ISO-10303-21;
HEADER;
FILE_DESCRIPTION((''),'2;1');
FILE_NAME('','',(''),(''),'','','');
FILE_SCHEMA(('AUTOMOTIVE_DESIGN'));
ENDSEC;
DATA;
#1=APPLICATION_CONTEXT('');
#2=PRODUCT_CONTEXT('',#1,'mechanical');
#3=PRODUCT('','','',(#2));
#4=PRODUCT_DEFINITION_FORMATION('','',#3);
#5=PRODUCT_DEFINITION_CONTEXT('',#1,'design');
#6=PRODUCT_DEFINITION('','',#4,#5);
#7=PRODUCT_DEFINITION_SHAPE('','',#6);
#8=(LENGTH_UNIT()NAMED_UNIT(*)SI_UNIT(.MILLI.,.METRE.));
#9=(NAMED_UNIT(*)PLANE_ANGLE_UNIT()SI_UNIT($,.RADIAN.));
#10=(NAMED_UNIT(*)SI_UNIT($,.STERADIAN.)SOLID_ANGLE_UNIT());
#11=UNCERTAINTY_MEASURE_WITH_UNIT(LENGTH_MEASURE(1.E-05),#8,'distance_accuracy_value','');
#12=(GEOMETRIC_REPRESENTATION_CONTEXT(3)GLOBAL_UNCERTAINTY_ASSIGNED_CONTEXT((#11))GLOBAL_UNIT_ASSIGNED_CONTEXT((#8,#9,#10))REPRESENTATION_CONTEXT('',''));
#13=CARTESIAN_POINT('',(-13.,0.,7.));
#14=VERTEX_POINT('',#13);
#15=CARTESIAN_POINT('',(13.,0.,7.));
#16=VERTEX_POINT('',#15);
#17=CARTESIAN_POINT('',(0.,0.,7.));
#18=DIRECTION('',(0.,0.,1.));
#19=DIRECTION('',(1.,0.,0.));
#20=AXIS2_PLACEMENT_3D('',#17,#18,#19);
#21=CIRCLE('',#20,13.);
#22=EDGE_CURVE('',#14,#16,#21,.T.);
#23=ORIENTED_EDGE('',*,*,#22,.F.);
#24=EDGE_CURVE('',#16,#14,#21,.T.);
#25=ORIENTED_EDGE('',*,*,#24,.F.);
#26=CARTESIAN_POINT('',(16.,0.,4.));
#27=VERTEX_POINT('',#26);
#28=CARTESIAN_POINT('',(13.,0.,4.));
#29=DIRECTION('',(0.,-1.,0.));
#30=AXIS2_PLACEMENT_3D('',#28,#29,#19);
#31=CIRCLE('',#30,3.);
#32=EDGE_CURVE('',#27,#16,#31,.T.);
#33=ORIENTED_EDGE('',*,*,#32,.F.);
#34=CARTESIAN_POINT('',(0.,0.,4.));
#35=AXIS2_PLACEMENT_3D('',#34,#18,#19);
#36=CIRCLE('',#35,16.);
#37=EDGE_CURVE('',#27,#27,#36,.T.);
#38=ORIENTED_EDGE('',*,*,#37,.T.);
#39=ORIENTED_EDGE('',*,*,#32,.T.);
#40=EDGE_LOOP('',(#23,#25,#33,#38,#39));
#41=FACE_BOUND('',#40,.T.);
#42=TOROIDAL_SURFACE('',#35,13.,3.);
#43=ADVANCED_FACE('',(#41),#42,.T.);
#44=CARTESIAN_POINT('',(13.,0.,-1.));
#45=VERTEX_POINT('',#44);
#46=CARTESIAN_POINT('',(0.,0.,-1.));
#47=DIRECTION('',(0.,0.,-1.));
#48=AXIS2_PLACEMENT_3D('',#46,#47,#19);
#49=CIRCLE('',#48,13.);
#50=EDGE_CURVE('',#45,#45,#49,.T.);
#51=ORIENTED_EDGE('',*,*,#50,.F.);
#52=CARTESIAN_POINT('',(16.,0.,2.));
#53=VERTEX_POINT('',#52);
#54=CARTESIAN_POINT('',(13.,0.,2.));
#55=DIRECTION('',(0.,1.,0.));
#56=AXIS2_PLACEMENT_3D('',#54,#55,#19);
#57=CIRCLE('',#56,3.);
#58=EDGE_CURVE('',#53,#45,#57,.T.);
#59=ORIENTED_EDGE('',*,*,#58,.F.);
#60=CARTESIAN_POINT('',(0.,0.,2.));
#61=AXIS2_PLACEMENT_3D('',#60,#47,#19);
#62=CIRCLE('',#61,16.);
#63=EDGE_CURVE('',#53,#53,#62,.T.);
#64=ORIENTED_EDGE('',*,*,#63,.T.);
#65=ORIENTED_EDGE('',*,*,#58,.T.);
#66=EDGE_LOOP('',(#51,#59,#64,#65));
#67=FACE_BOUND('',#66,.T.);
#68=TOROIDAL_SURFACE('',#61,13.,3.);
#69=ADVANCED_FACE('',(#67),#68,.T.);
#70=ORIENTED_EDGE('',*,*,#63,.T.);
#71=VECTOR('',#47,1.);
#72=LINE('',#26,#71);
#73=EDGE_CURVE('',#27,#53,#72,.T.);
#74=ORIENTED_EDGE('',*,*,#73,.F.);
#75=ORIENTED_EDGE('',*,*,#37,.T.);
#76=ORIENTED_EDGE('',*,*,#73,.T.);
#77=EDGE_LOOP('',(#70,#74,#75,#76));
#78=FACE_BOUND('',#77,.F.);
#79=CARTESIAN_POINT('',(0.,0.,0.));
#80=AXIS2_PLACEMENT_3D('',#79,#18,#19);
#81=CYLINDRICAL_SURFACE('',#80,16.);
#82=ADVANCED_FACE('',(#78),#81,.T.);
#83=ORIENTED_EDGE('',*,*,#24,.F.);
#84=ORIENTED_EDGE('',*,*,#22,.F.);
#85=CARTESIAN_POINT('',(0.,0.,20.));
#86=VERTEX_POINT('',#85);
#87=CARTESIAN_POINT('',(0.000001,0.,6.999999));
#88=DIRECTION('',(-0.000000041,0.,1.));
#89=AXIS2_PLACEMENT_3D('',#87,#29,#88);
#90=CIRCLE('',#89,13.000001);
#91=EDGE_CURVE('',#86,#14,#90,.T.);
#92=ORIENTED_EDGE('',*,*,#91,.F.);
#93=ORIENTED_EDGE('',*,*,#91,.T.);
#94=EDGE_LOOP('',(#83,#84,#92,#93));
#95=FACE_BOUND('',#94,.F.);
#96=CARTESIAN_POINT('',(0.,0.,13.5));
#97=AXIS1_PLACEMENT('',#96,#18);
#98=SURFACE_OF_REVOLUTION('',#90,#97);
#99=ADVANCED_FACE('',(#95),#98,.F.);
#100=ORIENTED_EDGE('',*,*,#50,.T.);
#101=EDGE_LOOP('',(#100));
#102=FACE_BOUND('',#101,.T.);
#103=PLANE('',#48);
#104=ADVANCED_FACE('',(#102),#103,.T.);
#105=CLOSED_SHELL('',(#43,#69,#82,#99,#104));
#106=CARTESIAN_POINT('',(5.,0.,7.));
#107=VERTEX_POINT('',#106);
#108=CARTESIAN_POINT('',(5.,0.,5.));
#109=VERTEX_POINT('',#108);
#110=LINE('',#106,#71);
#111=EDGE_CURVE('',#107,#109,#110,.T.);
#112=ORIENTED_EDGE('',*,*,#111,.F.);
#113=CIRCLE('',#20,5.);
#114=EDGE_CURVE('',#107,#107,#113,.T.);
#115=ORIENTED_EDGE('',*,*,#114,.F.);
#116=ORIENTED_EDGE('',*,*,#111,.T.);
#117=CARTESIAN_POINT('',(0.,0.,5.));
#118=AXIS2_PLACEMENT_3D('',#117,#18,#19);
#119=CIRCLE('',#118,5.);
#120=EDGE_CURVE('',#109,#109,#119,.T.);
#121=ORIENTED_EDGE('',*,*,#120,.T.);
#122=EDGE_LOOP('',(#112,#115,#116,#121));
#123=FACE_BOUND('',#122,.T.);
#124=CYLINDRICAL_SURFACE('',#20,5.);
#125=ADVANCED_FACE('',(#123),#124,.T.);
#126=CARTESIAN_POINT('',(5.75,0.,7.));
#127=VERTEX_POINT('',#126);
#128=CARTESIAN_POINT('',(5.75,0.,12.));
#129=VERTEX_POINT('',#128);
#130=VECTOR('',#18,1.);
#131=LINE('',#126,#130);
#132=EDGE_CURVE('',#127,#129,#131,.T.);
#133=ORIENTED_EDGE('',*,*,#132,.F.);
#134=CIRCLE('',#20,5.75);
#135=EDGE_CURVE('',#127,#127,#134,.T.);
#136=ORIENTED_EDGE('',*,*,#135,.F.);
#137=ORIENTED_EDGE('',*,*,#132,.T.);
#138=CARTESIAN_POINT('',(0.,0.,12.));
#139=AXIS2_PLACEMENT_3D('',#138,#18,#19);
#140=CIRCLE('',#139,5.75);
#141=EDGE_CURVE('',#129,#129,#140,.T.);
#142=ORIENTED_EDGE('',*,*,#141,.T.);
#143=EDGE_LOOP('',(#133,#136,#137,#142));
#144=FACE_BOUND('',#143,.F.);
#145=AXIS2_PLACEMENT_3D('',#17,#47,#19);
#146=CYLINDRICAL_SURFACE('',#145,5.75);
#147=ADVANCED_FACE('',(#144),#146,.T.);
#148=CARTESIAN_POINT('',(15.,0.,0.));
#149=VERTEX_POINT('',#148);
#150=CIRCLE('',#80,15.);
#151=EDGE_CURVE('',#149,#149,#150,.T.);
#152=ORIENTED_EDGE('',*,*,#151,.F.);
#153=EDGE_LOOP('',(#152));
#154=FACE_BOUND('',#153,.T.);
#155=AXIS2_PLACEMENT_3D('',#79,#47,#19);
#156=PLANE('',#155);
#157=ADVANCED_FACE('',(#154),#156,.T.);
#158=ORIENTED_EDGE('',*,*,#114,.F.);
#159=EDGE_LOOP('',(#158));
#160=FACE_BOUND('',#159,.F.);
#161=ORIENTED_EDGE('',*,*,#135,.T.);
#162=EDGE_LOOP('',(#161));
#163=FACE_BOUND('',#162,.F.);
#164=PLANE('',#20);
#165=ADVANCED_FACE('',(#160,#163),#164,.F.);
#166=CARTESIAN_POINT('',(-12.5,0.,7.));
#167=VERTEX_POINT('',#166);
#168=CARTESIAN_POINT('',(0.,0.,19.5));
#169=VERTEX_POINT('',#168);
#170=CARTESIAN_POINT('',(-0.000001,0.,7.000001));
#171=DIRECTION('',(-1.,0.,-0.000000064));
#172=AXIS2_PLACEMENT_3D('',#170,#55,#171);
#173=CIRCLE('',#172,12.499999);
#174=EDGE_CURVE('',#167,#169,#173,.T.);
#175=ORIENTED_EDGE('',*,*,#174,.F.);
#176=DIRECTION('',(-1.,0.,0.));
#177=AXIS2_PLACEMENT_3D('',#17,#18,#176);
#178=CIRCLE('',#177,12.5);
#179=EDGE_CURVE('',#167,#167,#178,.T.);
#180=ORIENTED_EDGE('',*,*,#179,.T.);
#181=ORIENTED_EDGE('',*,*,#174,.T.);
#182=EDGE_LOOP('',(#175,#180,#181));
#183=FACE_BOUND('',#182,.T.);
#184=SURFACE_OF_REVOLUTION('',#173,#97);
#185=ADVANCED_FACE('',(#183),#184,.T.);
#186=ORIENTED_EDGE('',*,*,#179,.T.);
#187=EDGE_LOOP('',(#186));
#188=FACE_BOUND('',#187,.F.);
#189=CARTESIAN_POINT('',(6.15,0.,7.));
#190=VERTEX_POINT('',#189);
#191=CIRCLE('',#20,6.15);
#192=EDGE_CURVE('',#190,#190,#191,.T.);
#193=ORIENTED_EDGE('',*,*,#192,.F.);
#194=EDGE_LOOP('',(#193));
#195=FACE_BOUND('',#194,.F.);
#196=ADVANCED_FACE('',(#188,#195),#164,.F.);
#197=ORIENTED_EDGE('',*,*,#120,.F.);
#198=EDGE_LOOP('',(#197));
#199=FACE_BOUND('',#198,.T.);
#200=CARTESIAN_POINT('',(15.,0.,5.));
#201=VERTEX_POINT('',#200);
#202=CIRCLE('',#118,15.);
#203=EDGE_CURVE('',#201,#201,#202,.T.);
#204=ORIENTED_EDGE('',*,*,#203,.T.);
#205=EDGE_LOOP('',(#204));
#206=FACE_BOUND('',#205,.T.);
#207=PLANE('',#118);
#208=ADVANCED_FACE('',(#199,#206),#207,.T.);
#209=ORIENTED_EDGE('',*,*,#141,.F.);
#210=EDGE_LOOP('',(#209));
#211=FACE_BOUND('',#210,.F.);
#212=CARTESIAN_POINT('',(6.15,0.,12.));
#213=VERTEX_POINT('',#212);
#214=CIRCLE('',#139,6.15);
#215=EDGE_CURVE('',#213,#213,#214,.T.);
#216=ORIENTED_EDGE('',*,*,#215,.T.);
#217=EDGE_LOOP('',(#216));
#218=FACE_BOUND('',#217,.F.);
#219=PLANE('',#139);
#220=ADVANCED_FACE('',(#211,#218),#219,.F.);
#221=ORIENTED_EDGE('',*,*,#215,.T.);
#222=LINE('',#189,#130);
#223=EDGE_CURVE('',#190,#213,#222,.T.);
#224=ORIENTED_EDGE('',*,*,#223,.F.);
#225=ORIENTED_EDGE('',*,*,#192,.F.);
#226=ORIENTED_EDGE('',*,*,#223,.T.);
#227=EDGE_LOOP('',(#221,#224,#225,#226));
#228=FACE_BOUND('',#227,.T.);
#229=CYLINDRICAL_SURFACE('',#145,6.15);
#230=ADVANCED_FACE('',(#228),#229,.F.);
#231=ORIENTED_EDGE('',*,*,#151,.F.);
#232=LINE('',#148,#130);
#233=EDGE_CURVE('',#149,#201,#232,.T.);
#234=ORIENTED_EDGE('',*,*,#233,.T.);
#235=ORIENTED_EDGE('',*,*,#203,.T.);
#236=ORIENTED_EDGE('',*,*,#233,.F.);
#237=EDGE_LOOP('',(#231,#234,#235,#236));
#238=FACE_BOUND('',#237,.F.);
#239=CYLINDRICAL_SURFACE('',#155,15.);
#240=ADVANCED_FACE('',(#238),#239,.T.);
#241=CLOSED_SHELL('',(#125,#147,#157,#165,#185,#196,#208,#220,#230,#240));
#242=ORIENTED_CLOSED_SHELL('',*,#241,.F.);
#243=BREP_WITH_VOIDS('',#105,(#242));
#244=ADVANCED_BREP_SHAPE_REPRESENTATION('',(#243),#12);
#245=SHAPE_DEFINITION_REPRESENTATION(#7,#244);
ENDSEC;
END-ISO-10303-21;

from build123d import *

# Parameters (mm, degrees)
F0_R      = 16
F0_R_2    = 15
F1_DEPTH  = 5
F2_R      = 16
F3_DEPTH  = 2
F4_R      = 3
F5_R      = 16
F6_DEPTH  = 1
F7_R      = 3
F8_R      = 5
F9_DEPTH  = 7
F10_R     = 6.15
F10_R_2   = 5.75
F11_DEPTH = 5


with BuildPart() as f1:
    # F0 (on Top) → F1 (new body)
    with BuildSketch(Plane.XY):
        Circle(F0_R)
        Circle(F0_R_2, mode=Mode.SUBTRACT)
    extrude(amount=F1_DEPTH)

    # F2 (on face) → F3 (join)
    with BuildSketch(Plane.XY.offset(5)):
        Circle(F2_R)
    extrude(amount=F3_DEPTH)

    # F4
    f4_edges = [f1.edges().sort_by_distance(p)[0] for p in [
        (-16, 0, 7),
    ]]
    fillet(f4_edges, radius=F4_R)

    # F5 (on face) → F6 (join)
    with BuildSketch(Plane(origin=(0, 0, 0), x_dir=(1, 0, 0), z_dir=(0, 0, -1))):
        Circle(F5_R)
    extrude(amount=F6_DEPTH)

    # F7
    f7_edges = [f1.edges().sort_by_distance(p)[0] for p in [
        (-16, 0, -1),
    ]]
    fillet(f7_edges, radius=F7_R)

    # F8 (on face) → F9 (cut)
    with BuildSketch(Plane.XY.offset(7)):
        Circle(F8_R)
    extrude(amount=-F9_DEPTH, mode=Mode.SUBTRACT)

    # F10 (on face) → F11 (join)
    with BuildSketch(Plane.XY.offset(7)):
        Circle(F10_R)
        Circle(F10_R_2, mode=Mode.SUBTRACT)
    extrude(amount=F11_DEPTH)

    # F13 (on Front) → F14 (revolve)
    with BuildSketch(Plane.XZ):
        with BuildLine():
            Line((0, 19.5), (0, 20))
            ThreePointArc((0, 20), (-9.192388, 16.192388), (-13, 7))
            Line((-13, 7), (-12.5, 7))
            ThreePointArc((-12.5, 7), (-8.838835, 15.838835), (0, 19.5))
        make_face()
    revolve(axis=Axis((0, 0, 13.5), (0, 0, 1)))


solid = f1.part
